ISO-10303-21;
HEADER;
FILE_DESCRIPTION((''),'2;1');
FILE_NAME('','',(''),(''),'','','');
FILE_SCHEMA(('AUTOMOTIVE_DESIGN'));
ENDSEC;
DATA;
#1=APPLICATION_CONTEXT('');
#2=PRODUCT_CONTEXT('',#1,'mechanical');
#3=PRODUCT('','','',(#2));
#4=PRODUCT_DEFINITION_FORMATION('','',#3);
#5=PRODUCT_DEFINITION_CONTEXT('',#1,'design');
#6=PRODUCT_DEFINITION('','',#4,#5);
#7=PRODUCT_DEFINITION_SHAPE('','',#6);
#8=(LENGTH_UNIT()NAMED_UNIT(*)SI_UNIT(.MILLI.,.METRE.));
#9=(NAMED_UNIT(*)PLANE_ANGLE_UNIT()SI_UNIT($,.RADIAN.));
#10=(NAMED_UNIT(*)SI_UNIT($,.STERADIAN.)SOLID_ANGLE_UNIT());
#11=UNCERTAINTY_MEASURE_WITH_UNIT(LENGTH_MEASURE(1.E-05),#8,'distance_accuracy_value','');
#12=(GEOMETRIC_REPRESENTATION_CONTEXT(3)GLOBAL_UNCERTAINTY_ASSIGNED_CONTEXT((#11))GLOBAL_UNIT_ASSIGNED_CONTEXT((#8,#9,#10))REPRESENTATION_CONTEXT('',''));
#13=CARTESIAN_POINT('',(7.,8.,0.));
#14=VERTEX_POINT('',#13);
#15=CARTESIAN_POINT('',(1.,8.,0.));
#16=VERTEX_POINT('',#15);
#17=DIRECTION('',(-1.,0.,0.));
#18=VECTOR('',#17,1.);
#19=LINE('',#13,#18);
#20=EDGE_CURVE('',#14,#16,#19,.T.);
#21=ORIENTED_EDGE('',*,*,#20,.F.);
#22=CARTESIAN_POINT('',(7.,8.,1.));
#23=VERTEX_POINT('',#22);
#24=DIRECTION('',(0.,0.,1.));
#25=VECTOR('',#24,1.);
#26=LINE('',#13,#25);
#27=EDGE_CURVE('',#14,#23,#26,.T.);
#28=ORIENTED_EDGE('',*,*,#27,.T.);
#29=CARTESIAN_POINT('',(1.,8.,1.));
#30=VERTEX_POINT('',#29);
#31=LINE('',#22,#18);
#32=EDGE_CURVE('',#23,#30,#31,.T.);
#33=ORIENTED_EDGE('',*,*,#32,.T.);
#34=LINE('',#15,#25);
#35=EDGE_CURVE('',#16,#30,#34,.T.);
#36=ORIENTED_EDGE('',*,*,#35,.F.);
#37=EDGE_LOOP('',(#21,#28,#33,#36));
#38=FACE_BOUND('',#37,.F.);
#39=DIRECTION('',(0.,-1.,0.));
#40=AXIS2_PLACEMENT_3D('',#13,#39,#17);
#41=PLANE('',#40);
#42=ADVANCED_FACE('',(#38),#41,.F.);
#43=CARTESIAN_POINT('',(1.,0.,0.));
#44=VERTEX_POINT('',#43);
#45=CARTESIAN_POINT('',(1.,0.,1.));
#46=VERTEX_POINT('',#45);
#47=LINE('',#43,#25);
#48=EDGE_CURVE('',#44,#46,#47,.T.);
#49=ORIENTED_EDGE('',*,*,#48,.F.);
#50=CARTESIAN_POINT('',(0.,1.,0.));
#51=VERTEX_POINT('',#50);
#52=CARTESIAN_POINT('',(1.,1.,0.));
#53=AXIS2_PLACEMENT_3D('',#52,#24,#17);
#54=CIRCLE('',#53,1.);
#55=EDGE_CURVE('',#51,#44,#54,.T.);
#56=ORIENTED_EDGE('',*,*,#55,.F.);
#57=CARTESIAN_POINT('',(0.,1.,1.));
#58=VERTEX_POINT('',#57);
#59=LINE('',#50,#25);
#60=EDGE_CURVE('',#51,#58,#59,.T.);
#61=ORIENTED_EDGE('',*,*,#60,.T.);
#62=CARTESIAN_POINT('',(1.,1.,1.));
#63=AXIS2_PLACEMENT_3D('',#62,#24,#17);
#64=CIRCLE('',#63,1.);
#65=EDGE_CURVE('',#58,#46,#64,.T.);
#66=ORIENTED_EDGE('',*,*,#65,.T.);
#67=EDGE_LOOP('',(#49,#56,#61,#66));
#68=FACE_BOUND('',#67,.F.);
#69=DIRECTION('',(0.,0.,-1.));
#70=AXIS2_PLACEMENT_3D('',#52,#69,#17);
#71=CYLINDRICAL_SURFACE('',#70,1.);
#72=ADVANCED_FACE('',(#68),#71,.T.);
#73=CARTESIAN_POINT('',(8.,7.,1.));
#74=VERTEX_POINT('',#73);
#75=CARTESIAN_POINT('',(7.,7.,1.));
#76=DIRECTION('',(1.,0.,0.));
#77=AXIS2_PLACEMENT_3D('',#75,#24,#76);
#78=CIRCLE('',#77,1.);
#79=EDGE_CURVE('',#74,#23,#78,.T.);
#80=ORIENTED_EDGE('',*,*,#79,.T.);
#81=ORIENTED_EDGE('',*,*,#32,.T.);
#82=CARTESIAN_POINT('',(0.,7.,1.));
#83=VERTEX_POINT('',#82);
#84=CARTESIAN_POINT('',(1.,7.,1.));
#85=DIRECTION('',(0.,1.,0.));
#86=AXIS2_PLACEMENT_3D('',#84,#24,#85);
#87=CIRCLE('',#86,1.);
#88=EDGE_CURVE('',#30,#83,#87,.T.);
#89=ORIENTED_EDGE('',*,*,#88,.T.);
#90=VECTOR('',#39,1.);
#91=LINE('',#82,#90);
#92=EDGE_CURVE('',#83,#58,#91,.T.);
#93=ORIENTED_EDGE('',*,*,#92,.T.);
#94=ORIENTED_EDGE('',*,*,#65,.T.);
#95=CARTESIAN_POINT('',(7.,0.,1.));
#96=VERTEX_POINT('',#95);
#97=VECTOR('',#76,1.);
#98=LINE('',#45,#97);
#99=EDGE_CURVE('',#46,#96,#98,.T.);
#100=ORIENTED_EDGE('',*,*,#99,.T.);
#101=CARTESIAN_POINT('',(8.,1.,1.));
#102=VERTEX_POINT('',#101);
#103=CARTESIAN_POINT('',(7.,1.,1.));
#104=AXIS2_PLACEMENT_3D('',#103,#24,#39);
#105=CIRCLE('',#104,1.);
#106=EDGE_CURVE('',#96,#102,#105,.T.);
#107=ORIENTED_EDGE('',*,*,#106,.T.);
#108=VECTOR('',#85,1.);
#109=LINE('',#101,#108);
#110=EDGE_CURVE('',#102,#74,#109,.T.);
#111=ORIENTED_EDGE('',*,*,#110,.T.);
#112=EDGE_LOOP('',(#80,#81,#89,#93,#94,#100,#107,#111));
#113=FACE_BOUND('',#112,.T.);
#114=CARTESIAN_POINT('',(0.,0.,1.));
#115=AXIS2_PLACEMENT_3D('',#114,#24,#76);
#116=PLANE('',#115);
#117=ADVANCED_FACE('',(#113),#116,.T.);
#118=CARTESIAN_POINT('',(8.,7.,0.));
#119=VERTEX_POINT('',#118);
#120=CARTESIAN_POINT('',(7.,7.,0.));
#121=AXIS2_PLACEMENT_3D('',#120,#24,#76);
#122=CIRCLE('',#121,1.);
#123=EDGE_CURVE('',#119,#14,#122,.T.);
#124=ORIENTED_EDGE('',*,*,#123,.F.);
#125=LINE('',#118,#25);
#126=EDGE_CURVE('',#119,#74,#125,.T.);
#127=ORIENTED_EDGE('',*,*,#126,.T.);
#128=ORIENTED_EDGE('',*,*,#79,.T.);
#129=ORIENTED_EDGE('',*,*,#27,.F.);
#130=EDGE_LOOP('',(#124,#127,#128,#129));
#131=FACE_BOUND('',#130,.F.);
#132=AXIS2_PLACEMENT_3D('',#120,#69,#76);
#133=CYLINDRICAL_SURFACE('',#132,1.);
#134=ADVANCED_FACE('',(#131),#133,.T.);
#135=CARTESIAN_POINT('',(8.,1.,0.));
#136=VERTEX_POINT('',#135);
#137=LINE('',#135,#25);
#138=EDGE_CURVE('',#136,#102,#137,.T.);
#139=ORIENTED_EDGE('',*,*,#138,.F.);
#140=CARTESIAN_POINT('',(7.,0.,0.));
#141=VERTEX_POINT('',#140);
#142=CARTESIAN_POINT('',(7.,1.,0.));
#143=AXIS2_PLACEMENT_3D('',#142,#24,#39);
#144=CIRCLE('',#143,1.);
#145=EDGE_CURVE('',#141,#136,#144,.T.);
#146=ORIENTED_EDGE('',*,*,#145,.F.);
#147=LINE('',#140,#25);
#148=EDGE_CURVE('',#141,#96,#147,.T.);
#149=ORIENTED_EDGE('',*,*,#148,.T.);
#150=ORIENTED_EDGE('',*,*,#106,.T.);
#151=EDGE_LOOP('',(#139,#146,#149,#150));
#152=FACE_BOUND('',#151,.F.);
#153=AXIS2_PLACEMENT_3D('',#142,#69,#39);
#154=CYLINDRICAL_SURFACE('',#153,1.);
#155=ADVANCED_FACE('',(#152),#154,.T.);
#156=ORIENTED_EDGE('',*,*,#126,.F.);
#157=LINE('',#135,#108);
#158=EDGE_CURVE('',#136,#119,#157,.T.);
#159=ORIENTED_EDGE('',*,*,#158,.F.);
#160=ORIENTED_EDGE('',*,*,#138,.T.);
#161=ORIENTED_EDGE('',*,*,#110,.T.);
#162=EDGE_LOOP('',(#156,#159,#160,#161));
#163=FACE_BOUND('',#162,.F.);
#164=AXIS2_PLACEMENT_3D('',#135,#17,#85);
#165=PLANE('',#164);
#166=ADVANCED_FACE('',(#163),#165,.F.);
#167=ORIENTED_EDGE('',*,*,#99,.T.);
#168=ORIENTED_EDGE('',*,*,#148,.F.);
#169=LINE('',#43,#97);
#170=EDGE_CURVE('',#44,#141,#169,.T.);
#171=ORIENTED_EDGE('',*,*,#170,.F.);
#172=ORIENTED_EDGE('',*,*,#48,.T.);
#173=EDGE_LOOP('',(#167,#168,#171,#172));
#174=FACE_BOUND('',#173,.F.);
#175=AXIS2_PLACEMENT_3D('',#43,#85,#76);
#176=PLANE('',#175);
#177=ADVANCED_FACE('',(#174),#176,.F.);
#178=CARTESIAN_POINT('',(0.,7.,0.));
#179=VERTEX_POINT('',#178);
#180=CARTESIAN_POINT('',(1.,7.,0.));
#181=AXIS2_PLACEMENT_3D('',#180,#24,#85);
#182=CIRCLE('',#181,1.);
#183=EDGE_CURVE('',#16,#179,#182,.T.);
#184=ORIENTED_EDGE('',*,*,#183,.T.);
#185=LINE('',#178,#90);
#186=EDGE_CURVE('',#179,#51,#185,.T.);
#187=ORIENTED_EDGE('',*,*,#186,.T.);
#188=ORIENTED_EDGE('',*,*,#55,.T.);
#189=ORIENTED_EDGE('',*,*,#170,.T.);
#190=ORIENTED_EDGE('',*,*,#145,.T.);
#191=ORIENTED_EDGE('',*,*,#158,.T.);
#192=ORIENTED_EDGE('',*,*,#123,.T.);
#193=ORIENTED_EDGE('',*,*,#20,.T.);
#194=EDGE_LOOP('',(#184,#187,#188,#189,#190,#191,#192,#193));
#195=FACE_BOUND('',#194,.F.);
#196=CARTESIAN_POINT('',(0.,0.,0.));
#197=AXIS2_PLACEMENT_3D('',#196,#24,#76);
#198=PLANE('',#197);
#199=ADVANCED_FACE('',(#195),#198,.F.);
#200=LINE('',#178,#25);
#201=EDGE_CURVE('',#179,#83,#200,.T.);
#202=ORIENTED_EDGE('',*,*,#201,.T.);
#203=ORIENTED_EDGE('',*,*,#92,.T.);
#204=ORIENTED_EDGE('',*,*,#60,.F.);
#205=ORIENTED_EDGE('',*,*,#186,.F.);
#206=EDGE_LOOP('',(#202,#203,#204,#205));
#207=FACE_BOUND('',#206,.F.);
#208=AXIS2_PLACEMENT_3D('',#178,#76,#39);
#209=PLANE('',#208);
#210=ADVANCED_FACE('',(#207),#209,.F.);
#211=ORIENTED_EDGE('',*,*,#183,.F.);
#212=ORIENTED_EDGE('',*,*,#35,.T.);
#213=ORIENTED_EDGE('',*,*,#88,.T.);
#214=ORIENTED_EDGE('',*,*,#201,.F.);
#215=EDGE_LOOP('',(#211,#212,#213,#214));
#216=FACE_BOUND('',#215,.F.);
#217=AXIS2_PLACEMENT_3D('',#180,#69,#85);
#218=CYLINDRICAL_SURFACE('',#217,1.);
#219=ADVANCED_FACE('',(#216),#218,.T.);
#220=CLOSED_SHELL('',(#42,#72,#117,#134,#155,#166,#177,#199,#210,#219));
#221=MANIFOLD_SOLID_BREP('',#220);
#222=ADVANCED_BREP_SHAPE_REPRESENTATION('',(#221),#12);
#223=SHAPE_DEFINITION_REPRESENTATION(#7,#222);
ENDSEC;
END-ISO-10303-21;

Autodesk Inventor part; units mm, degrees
ref_plane "YZ Plane" through (0, 0, 0) normal (1, 0, 0) x (0, 1, 0)
ref_plane "XZ Plane" through (0, 0, 0) normal (0, 1, 0) x (-1, 0, 0)
ref_plane "XY Plane" through (0, 0, 0) normal (0, 0, 1) x (1, 0, 0)
sketch "Sketch1" plane through (0, 0, 0) normal (0, 0, 1) x (1, 0, 0)
  line L0 (1, 0) -> (7, 0)
  line L1 (8, 1) -> (8, 7)
  line L2 (7, 8) -> (1, 8)
  line L3 (0, 7) -> (0, 1)
  arc A0 (1, 8) -> (0, 7) centre (1, 7) ccw
  arc A1 (7, 0) -> (8, 1) centre (7, 1) ccw
  arc A2 (8, 7) -> (7, 8) centre (7, 7) ccw
  arc A3 (0, 1) -> (1, 0) centre (1, 1) ccw
  point P0 (0, 0)
  point P1 (8, 8)
  point P2 (8, 0)
  point P3 (0, 8)
  dimension "d0" = 8
  dimension "d1" = 8
  dimension "d2" = 1
extrude "Extrusion1" add sketch "Sketch1" along normal blind 1
properties part number "termination_closing" material "Brass, Soft Yellow"
